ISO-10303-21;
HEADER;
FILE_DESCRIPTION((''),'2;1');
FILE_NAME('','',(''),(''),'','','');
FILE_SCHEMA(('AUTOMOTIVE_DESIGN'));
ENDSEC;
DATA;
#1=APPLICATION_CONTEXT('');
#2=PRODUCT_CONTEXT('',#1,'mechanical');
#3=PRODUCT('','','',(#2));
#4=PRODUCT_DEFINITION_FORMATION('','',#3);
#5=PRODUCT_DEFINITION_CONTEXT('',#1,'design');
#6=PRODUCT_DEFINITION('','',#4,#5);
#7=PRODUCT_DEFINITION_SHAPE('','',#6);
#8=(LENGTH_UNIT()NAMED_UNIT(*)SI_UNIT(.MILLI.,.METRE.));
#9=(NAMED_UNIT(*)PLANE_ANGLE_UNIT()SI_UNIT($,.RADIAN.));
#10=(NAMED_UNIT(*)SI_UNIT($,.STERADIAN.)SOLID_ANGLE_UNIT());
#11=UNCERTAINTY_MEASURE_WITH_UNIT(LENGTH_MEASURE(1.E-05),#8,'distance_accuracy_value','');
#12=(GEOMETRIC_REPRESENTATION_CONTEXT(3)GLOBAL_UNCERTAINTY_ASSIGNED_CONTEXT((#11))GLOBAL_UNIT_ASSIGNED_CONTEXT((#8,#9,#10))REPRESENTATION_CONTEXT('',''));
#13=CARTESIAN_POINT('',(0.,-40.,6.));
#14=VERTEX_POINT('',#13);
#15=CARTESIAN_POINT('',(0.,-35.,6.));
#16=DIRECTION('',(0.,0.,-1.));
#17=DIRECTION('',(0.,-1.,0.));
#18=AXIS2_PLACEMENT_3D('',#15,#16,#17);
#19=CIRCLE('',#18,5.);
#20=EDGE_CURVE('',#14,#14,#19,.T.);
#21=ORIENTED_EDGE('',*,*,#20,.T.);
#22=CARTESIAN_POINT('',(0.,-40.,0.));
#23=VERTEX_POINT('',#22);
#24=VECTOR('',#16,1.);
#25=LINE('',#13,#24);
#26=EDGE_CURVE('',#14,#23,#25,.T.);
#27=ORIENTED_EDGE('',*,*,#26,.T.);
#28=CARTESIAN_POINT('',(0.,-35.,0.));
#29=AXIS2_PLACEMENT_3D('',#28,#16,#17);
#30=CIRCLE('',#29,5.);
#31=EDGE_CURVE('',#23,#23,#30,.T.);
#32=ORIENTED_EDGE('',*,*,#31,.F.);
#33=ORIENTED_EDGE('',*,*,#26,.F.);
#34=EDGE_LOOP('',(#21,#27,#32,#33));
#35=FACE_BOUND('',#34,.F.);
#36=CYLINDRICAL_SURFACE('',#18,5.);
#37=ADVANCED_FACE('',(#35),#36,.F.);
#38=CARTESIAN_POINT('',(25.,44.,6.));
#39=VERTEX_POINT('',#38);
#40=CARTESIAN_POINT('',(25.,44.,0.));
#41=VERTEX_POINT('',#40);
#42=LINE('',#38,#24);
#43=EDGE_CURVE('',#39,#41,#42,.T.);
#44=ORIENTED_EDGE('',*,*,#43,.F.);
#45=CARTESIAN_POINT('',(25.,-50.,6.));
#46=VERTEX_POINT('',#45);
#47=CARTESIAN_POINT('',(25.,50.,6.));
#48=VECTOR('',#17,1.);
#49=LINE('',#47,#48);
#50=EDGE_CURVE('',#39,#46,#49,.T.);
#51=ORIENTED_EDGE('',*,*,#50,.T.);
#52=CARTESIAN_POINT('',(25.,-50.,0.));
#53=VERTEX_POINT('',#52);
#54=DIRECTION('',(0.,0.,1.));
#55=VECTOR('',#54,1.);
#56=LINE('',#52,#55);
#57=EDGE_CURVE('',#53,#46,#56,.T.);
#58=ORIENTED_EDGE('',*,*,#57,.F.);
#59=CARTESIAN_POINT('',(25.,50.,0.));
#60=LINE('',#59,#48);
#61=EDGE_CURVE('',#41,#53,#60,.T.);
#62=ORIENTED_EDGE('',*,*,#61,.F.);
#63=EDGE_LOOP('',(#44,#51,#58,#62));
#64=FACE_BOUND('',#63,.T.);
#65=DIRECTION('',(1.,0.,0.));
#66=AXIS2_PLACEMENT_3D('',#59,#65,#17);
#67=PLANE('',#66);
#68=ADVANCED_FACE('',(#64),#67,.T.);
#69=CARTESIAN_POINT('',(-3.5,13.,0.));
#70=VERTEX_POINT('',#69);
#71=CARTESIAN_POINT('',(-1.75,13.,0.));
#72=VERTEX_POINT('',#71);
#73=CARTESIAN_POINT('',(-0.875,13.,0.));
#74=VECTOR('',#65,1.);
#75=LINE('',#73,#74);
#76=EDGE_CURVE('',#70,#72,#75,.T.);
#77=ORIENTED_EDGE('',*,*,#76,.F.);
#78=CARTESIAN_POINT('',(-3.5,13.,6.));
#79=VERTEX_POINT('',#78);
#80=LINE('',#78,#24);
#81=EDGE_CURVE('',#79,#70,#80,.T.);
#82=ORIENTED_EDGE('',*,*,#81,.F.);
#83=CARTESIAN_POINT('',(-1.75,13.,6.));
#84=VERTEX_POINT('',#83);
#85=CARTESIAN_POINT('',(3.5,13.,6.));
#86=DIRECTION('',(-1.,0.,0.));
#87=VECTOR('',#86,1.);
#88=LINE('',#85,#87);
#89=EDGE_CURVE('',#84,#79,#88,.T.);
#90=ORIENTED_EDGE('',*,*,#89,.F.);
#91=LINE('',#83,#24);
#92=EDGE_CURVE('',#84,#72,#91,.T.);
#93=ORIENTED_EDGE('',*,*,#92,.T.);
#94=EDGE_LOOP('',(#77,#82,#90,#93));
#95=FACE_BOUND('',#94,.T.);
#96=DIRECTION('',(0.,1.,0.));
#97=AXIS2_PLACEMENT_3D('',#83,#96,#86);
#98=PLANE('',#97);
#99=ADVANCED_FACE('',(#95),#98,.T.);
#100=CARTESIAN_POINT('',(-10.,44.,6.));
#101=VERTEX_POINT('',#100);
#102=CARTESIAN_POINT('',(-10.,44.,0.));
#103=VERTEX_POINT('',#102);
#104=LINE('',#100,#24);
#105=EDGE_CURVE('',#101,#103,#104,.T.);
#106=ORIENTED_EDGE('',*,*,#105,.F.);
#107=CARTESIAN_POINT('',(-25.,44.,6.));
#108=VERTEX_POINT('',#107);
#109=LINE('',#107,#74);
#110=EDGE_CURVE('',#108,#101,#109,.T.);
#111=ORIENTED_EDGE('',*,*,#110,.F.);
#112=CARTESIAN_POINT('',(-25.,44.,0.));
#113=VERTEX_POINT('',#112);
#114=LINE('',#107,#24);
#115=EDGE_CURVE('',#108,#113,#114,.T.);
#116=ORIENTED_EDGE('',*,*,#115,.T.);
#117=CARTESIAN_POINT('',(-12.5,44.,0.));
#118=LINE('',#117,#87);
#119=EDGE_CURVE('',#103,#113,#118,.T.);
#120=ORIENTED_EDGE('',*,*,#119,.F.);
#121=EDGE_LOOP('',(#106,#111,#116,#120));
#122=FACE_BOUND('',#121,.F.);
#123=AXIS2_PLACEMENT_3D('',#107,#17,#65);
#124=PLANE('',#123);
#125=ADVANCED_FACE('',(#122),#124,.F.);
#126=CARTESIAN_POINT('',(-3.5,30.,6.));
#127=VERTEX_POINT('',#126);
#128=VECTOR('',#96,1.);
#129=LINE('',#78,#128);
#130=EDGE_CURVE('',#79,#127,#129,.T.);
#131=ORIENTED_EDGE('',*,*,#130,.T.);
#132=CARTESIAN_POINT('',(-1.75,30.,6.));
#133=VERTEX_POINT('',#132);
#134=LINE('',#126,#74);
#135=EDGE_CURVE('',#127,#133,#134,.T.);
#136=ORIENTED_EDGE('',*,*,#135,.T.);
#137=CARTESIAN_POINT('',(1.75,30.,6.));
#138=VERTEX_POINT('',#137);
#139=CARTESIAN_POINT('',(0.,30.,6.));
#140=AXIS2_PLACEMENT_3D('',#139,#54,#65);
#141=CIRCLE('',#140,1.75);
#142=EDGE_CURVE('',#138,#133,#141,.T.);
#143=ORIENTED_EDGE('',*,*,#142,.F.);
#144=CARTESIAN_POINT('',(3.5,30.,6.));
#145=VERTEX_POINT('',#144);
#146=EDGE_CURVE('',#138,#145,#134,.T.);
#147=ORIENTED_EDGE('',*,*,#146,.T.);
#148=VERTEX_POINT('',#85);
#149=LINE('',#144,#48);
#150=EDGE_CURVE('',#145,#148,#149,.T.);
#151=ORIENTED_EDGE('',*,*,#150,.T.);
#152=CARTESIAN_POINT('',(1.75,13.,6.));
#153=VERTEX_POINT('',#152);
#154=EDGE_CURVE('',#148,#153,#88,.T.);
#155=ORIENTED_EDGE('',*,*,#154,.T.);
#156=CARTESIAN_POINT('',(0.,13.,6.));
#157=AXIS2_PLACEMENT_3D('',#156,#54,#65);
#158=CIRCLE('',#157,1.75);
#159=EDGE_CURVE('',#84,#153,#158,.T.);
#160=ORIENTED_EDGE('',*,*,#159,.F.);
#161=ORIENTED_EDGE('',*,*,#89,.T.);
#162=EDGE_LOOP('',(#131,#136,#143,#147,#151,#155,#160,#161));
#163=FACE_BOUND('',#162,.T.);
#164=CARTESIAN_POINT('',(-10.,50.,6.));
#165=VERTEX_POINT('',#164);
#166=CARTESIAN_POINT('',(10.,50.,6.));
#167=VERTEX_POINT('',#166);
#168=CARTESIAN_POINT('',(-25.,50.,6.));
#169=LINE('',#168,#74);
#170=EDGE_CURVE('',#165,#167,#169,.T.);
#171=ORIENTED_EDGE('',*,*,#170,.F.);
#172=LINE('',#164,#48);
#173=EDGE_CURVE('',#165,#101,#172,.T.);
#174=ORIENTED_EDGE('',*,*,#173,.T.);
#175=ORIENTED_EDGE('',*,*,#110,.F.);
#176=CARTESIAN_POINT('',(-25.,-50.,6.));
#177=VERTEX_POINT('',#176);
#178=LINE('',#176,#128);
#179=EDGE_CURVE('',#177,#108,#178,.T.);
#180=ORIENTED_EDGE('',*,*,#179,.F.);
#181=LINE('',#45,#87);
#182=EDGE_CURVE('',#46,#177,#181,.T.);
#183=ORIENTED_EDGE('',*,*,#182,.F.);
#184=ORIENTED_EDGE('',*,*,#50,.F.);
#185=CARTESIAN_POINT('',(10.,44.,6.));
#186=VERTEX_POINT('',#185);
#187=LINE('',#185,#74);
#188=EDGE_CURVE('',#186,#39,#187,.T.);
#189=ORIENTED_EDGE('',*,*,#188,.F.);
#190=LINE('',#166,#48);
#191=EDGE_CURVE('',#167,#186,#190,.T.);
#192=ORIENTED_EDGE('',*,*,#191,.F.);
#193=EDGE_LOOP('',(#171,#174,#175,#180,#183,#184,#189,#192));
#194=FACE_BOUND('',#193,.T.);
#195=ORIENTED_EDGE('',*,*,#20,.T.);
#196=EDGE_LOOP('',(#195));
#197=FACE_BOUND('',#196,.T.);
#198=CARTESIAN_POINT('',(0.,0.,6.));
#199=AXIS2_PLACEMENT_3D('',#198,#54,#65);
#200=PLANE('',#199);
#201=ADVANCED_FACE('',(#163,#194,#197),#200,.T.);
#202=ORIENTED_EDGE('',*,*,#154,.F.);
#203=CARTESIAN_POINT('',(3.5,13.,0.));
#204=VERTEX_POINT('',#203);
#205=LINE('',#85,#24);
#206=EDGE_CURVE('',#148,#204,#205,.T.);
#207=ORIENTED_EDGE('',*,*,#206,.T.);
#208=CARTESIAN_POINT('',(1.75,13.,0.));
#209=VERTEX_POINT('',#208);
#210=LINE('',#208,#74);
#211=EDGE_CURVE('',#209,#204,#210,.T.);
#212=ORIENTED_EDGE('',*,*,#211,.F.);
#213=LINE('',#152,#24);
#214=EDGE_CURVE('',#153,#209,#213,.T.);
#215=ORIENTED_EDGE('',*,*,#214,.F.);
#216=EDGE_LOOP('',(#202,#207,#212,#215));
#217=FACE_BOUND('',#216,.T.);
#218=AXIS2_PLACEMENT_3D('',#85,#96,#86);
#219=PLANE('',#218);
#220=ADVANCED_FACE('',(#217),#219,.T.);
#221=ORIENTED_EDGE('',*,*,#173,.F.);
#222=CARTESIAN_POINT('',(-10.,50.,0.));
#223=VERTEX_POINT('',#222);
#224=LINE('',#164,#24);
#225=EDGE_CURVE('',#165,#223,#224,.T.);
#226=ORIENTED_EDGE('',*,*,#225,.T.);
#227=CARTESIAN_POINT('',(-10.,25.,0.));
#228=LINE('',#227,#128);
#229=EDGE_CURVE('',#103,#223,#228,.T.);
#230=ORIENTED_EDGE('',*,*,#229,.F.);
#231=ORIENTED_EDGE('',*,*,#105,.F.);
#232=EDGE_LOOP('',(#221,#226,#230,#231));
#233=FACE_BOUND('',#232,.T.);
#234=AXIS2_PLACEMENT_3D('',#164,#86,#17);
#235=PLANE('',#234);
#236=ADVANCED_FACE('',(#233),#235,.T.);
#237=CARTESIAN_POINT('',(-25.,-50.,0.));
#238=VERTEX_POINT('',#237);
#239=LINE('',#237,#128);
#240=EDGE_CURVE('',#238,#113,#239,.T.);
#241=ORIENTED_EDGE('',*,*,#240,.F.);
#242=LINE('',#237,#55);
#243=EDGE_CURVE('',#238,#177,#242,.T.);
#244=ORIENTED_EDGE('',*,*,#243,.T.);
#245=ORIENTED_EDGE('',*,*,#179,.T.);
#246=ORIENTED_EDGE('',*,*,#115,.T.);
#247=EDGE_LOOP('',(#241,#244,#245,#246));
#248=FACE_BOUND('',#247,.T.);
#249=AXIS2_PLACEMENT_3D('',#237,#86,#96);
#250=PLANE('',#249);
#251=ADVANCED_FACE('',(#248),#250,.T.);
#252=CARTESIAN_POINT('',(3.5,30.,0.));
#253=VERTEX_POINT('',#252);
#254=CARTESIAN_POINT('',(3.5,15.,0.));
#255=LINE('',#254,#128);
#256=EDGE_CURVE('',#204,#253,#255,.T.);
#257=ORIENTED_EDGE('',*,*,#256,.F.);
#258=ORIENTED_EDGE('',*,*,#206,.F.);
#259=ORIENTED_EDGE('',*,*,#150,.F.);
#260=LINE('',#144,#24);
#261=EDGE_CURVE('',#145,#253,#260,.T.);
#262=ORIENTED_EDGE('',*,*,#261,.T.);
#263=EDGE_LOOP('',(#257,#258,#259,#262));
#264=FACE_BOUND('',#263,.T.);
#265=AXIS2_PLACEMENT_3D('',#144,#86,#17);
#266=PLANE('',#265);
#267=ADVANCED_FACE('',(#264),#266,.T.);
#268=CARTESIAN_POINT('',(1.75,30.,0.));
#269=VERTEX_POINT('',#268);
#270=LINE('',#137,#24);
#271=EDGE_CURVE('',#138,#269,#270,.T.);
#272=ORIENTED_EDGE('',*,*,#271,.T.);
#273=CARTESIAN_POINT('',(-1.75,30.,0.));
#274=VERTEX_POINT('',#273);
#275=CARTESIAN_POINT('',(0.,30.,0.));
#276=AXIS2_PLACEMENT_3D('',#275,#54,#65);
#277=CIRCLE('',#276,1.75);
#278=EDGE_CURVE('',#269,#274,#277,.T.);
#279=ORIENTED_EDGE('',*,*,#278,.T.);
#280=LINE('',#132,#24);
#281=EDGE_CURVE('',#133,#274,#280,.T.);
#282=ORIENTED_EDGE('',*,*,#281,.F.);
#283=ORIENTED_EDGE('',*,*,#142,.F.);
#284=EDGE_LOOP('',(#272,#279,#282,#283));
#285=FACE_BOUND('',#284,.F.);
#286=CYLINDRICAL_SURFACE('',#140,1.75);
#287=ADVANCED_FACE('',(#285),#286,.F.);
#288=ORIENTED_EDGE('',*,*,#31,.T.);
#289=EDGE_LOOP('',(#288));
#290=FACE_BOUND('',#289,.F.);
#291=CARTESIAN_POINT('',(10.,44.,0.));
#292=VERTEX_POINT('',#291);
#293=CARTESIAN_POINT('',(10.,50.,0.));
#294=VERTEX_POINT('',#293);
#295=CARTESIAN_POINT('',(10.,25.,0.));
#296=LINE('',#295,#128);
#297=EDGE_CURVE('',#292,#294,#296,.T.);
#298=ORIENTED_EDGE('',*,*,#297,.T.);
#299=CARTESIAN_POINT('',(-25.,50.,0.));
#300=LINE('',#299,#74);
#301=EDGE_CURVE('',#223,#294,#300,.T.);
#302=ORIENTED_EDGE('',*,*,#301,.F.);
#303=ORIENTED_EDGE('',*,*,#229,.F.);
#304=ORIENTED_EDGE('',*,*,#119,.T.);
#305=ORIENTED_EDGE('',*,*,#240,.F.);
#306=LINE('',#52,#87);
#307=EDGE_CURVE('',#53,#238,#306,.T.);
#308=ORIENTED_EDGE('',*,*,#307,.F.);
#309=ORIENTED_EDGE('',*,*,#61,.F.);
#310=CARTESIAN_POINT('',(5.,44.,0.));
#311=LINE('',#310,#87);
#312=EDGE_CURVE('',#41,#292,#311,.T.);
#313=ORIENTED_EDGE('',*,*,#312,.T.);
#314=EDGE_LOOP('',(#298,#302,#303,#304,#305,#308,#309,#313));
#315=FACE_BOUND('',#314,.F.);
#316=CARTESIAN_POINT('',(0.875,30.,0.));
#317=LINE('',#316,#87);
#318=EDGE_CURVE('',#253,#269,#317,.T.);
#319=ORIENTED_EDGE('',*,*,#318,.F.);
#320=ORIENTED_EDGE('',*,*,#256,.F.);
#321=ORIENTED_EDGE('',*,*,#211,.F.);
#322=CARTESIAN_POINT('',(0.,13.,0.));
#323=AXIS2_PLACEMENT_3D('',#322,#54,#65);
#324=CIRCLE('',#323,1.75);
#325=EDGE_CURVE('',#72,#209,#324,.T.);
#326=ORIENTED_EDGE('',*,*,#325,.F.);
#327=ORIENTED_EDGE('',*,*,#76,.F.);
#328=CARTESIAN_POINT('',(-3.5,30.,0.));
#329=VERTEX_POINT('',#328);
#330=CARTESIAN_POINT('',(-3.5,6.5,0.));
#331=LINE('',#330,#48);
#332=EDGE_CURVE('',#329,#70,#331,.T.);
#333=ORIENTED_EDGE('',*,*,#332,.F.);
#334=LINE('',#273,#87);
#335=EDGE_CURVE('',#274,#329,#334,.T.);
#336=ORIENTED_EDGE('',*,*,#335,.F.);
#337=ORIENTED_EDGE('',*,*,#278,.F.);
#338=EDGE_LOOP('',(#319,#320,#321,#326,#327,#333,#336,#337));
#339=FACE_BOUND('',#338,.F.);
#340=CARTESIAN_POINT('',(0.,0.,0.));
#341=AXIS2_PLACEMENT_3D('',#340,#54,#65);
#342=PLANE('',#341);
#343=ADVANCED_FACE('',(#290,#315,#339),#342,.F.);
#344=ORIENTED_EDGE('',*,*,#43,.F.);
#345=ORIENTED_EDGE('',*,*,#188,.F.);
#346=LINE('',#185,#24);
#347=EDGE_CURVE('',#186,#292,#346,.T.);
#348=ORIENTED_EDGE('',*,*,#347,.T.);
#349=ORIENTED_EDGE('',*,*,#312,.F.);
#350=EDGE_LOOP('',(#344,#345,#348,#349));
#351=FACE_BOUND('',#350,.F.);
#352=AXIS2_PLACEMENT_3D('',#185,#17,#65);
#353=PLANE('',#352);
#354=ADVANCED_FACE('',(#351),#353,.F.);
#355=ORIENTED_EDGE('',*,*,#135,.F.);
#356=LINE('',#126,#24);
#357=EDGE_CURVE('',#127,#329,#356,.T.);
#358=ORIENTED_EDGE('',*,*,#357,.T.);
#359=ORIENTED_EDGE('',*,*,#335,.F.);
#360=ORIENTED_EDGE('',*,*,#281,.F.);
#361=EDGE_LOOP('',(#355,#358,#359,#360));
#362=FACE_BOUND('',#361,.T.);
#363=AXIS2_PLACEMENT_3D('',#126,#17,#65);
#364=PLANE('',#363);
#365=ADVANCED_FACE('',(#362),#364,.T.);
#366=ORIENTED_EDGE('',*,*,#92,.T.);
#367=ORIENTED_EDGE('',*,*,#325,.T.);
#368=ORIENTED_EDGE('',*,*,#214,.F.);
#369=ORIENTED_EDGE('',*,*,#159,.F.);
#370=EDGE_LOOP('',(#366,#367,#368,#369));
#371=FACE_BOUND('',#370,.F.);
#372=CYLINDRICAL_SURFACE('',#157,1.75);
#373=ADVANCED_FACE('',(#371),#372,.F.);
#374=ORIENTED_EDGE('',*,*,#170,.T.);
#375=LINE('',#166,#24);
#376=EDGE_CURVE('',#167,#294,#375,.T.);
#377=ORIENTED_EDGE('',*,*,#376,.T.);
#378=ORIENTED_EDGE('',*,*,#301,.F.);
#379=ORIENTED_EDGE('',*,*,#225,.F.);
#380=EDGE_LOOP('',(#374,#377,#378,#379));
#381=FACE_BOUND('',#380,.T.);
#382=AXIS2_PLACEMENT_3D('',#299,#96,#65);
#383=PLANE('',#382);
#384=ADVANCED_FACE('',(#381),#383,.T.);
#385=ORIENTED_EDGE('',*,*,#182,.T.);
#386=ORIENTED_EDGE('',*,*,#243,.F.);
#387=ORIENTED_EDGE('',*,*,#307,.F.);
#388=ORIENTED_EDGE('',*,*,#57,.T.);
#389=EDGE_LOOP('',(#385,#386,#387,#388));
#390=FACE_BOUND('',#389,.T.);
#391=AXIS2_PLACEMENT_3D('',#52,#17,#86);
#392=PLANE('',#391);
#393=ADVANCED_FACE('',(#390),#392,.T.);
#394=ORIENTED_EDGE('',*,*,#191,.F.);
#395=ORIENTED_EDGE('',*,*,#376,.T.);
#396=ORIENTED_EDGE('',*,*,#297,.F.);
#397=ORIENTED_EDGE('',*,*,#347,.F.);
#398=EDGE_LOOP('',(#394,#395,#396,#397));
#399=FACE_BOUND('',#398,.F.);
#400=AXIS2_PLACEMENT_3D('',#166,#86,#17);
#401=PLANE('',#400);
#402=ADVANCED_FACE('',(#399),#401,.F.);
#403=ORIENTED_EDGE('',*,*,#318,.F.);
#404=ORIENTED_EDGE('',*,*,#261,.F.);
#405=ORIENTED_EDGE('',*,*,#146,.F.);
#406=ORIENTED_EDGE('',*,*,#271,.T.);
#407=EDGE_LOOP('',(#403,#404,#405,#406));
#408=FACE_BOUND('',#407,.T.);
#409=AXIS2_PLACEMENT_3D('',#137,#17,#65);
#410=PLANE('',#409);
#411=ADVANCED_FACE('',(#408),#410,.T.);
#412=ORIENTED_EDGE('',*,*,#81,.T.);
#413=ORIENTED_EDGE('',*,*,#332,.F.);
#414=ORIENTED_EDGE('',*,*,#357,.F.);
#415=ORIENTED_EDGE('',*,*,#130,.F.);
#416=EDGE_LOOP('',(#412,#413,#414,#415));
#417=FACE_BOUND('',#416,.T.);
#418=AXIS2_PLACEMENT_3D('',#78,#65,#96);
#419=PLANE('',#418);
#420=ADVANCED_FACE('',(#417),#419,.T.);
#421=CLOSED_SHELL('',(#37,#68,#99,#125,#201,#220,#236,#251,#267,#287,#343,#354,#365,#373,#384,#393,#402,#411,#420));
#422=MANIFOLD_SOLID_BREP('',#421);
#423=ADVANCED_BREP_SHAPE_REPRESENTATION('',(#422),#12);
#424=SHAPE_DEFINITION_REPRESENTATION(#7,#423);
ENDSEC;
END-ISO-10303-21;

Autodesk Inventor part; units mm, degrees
ref_plane "YZ Plane" through (0, 0, 0) normal (1, 0, 0) x (0, 1, 0)
ref_plane "XZ Plane" through (0, 0, 0) normal (0, 1, 0) x (-1, 0, 0)
ref_plane "XY Plane" through (0, 0, 0) normal (0, 0, 1) x (1, 0, 0)
sketch "Sketch1" plane through (0, 0, 0) normal (0, 0, 1) x (1, 0, 0)
  line L0 (-25, 50) -> (25, 50)
  line L1 (25, 50) -> (25, -50)
  line L2 (25, -50) -> (-25, -50)
  line L3 (-25, -50) -> (-25, 50)
  line L4 (-25, 0) -> (25, 0) construction
  point P0 (0, 0)
  point P1 (0, 0)
  dimension "d0" = 50
  dimension "d1" = 100
extrude "Extrusion1" add sketch "Sketch1" along normal blind 6
sketch "Sketch2" plane through (0, 0, 6) normal (0, 0, 1) x (1, 0, 0)
  line L0 (-25, 50) -> (25, 50) projected
  line L1 (25, -50) -> (-25, -50) projected
  line L2 (0, 50) -> (0, -35) construction
  point P0 (0, 0)
  dimension "d4" = 15
hole "Hole1" at (0, -35, 6) direction (0, 0, -1) diameter 10 end through all
sketch "Sketch3" plane through (0, 0, 6) normal (0, 0, 1) x (1, 0, 0)
  line L0 (-25, 50) -> (25, 50) projected
  line L1 (-3.5, 30) -> (3.5, 30)
  line L2 (3.5, 30) -> (3.5, 13)
  line L3 (3.5, 13) -> (-3.5, 13)
  line L4 (-3.5, 13) -> (-3.5, 30)
  line L5 (0, 30) -> (0, 13) construction
  circle A0 centre (0, 30) radius 1.75
  circle A1 centre (0, 13) radius 1.75
  point P0 (0, 0)
  dimension "d12" = 7
  dimension "d13" = 17
  dimension "d14" = 3.5
  dimension "d15" = 3.5
  dimension "d16" = 20
extrude "Extrusion2" cut sketch "Sketch3" against normal up to next
sketch "Sketch4" plane through (0, 0, 6) normal (0, 0, 1) x (1, 0, 0)
  arc A0 (1.75, 30) -> (-1.75, 30) centre (0, 30) ccw projected
  line L0 (-25, 50) -> (25, 50) projected
  line L1 (-25, -50) -> (-25, 50) projected
  line L2 (10, 44) -> (25, 44) projected
  line L3 (25, 50) -> (25, 44) projected
  line L4 (10, 50) -> (25, 50) projected
  line L5 (10, 50) -> (10, 44) projected
  line L6 (-25, 44) -> (-10, 44) projected
  line L7 (-10, 50) -> (-10, 44) projected
  line L8 (-25, 50) -> (-10, 50) projected
  line L9 (-25, 50) -> (-25, 44) projected
  line L10 (0, 50) -> (0, 31.75) construction
  point P0 (0, 0)
extrude "Extrusion3" cut sketch "Sketch4" against normal up to next
properties part number "TOP"
